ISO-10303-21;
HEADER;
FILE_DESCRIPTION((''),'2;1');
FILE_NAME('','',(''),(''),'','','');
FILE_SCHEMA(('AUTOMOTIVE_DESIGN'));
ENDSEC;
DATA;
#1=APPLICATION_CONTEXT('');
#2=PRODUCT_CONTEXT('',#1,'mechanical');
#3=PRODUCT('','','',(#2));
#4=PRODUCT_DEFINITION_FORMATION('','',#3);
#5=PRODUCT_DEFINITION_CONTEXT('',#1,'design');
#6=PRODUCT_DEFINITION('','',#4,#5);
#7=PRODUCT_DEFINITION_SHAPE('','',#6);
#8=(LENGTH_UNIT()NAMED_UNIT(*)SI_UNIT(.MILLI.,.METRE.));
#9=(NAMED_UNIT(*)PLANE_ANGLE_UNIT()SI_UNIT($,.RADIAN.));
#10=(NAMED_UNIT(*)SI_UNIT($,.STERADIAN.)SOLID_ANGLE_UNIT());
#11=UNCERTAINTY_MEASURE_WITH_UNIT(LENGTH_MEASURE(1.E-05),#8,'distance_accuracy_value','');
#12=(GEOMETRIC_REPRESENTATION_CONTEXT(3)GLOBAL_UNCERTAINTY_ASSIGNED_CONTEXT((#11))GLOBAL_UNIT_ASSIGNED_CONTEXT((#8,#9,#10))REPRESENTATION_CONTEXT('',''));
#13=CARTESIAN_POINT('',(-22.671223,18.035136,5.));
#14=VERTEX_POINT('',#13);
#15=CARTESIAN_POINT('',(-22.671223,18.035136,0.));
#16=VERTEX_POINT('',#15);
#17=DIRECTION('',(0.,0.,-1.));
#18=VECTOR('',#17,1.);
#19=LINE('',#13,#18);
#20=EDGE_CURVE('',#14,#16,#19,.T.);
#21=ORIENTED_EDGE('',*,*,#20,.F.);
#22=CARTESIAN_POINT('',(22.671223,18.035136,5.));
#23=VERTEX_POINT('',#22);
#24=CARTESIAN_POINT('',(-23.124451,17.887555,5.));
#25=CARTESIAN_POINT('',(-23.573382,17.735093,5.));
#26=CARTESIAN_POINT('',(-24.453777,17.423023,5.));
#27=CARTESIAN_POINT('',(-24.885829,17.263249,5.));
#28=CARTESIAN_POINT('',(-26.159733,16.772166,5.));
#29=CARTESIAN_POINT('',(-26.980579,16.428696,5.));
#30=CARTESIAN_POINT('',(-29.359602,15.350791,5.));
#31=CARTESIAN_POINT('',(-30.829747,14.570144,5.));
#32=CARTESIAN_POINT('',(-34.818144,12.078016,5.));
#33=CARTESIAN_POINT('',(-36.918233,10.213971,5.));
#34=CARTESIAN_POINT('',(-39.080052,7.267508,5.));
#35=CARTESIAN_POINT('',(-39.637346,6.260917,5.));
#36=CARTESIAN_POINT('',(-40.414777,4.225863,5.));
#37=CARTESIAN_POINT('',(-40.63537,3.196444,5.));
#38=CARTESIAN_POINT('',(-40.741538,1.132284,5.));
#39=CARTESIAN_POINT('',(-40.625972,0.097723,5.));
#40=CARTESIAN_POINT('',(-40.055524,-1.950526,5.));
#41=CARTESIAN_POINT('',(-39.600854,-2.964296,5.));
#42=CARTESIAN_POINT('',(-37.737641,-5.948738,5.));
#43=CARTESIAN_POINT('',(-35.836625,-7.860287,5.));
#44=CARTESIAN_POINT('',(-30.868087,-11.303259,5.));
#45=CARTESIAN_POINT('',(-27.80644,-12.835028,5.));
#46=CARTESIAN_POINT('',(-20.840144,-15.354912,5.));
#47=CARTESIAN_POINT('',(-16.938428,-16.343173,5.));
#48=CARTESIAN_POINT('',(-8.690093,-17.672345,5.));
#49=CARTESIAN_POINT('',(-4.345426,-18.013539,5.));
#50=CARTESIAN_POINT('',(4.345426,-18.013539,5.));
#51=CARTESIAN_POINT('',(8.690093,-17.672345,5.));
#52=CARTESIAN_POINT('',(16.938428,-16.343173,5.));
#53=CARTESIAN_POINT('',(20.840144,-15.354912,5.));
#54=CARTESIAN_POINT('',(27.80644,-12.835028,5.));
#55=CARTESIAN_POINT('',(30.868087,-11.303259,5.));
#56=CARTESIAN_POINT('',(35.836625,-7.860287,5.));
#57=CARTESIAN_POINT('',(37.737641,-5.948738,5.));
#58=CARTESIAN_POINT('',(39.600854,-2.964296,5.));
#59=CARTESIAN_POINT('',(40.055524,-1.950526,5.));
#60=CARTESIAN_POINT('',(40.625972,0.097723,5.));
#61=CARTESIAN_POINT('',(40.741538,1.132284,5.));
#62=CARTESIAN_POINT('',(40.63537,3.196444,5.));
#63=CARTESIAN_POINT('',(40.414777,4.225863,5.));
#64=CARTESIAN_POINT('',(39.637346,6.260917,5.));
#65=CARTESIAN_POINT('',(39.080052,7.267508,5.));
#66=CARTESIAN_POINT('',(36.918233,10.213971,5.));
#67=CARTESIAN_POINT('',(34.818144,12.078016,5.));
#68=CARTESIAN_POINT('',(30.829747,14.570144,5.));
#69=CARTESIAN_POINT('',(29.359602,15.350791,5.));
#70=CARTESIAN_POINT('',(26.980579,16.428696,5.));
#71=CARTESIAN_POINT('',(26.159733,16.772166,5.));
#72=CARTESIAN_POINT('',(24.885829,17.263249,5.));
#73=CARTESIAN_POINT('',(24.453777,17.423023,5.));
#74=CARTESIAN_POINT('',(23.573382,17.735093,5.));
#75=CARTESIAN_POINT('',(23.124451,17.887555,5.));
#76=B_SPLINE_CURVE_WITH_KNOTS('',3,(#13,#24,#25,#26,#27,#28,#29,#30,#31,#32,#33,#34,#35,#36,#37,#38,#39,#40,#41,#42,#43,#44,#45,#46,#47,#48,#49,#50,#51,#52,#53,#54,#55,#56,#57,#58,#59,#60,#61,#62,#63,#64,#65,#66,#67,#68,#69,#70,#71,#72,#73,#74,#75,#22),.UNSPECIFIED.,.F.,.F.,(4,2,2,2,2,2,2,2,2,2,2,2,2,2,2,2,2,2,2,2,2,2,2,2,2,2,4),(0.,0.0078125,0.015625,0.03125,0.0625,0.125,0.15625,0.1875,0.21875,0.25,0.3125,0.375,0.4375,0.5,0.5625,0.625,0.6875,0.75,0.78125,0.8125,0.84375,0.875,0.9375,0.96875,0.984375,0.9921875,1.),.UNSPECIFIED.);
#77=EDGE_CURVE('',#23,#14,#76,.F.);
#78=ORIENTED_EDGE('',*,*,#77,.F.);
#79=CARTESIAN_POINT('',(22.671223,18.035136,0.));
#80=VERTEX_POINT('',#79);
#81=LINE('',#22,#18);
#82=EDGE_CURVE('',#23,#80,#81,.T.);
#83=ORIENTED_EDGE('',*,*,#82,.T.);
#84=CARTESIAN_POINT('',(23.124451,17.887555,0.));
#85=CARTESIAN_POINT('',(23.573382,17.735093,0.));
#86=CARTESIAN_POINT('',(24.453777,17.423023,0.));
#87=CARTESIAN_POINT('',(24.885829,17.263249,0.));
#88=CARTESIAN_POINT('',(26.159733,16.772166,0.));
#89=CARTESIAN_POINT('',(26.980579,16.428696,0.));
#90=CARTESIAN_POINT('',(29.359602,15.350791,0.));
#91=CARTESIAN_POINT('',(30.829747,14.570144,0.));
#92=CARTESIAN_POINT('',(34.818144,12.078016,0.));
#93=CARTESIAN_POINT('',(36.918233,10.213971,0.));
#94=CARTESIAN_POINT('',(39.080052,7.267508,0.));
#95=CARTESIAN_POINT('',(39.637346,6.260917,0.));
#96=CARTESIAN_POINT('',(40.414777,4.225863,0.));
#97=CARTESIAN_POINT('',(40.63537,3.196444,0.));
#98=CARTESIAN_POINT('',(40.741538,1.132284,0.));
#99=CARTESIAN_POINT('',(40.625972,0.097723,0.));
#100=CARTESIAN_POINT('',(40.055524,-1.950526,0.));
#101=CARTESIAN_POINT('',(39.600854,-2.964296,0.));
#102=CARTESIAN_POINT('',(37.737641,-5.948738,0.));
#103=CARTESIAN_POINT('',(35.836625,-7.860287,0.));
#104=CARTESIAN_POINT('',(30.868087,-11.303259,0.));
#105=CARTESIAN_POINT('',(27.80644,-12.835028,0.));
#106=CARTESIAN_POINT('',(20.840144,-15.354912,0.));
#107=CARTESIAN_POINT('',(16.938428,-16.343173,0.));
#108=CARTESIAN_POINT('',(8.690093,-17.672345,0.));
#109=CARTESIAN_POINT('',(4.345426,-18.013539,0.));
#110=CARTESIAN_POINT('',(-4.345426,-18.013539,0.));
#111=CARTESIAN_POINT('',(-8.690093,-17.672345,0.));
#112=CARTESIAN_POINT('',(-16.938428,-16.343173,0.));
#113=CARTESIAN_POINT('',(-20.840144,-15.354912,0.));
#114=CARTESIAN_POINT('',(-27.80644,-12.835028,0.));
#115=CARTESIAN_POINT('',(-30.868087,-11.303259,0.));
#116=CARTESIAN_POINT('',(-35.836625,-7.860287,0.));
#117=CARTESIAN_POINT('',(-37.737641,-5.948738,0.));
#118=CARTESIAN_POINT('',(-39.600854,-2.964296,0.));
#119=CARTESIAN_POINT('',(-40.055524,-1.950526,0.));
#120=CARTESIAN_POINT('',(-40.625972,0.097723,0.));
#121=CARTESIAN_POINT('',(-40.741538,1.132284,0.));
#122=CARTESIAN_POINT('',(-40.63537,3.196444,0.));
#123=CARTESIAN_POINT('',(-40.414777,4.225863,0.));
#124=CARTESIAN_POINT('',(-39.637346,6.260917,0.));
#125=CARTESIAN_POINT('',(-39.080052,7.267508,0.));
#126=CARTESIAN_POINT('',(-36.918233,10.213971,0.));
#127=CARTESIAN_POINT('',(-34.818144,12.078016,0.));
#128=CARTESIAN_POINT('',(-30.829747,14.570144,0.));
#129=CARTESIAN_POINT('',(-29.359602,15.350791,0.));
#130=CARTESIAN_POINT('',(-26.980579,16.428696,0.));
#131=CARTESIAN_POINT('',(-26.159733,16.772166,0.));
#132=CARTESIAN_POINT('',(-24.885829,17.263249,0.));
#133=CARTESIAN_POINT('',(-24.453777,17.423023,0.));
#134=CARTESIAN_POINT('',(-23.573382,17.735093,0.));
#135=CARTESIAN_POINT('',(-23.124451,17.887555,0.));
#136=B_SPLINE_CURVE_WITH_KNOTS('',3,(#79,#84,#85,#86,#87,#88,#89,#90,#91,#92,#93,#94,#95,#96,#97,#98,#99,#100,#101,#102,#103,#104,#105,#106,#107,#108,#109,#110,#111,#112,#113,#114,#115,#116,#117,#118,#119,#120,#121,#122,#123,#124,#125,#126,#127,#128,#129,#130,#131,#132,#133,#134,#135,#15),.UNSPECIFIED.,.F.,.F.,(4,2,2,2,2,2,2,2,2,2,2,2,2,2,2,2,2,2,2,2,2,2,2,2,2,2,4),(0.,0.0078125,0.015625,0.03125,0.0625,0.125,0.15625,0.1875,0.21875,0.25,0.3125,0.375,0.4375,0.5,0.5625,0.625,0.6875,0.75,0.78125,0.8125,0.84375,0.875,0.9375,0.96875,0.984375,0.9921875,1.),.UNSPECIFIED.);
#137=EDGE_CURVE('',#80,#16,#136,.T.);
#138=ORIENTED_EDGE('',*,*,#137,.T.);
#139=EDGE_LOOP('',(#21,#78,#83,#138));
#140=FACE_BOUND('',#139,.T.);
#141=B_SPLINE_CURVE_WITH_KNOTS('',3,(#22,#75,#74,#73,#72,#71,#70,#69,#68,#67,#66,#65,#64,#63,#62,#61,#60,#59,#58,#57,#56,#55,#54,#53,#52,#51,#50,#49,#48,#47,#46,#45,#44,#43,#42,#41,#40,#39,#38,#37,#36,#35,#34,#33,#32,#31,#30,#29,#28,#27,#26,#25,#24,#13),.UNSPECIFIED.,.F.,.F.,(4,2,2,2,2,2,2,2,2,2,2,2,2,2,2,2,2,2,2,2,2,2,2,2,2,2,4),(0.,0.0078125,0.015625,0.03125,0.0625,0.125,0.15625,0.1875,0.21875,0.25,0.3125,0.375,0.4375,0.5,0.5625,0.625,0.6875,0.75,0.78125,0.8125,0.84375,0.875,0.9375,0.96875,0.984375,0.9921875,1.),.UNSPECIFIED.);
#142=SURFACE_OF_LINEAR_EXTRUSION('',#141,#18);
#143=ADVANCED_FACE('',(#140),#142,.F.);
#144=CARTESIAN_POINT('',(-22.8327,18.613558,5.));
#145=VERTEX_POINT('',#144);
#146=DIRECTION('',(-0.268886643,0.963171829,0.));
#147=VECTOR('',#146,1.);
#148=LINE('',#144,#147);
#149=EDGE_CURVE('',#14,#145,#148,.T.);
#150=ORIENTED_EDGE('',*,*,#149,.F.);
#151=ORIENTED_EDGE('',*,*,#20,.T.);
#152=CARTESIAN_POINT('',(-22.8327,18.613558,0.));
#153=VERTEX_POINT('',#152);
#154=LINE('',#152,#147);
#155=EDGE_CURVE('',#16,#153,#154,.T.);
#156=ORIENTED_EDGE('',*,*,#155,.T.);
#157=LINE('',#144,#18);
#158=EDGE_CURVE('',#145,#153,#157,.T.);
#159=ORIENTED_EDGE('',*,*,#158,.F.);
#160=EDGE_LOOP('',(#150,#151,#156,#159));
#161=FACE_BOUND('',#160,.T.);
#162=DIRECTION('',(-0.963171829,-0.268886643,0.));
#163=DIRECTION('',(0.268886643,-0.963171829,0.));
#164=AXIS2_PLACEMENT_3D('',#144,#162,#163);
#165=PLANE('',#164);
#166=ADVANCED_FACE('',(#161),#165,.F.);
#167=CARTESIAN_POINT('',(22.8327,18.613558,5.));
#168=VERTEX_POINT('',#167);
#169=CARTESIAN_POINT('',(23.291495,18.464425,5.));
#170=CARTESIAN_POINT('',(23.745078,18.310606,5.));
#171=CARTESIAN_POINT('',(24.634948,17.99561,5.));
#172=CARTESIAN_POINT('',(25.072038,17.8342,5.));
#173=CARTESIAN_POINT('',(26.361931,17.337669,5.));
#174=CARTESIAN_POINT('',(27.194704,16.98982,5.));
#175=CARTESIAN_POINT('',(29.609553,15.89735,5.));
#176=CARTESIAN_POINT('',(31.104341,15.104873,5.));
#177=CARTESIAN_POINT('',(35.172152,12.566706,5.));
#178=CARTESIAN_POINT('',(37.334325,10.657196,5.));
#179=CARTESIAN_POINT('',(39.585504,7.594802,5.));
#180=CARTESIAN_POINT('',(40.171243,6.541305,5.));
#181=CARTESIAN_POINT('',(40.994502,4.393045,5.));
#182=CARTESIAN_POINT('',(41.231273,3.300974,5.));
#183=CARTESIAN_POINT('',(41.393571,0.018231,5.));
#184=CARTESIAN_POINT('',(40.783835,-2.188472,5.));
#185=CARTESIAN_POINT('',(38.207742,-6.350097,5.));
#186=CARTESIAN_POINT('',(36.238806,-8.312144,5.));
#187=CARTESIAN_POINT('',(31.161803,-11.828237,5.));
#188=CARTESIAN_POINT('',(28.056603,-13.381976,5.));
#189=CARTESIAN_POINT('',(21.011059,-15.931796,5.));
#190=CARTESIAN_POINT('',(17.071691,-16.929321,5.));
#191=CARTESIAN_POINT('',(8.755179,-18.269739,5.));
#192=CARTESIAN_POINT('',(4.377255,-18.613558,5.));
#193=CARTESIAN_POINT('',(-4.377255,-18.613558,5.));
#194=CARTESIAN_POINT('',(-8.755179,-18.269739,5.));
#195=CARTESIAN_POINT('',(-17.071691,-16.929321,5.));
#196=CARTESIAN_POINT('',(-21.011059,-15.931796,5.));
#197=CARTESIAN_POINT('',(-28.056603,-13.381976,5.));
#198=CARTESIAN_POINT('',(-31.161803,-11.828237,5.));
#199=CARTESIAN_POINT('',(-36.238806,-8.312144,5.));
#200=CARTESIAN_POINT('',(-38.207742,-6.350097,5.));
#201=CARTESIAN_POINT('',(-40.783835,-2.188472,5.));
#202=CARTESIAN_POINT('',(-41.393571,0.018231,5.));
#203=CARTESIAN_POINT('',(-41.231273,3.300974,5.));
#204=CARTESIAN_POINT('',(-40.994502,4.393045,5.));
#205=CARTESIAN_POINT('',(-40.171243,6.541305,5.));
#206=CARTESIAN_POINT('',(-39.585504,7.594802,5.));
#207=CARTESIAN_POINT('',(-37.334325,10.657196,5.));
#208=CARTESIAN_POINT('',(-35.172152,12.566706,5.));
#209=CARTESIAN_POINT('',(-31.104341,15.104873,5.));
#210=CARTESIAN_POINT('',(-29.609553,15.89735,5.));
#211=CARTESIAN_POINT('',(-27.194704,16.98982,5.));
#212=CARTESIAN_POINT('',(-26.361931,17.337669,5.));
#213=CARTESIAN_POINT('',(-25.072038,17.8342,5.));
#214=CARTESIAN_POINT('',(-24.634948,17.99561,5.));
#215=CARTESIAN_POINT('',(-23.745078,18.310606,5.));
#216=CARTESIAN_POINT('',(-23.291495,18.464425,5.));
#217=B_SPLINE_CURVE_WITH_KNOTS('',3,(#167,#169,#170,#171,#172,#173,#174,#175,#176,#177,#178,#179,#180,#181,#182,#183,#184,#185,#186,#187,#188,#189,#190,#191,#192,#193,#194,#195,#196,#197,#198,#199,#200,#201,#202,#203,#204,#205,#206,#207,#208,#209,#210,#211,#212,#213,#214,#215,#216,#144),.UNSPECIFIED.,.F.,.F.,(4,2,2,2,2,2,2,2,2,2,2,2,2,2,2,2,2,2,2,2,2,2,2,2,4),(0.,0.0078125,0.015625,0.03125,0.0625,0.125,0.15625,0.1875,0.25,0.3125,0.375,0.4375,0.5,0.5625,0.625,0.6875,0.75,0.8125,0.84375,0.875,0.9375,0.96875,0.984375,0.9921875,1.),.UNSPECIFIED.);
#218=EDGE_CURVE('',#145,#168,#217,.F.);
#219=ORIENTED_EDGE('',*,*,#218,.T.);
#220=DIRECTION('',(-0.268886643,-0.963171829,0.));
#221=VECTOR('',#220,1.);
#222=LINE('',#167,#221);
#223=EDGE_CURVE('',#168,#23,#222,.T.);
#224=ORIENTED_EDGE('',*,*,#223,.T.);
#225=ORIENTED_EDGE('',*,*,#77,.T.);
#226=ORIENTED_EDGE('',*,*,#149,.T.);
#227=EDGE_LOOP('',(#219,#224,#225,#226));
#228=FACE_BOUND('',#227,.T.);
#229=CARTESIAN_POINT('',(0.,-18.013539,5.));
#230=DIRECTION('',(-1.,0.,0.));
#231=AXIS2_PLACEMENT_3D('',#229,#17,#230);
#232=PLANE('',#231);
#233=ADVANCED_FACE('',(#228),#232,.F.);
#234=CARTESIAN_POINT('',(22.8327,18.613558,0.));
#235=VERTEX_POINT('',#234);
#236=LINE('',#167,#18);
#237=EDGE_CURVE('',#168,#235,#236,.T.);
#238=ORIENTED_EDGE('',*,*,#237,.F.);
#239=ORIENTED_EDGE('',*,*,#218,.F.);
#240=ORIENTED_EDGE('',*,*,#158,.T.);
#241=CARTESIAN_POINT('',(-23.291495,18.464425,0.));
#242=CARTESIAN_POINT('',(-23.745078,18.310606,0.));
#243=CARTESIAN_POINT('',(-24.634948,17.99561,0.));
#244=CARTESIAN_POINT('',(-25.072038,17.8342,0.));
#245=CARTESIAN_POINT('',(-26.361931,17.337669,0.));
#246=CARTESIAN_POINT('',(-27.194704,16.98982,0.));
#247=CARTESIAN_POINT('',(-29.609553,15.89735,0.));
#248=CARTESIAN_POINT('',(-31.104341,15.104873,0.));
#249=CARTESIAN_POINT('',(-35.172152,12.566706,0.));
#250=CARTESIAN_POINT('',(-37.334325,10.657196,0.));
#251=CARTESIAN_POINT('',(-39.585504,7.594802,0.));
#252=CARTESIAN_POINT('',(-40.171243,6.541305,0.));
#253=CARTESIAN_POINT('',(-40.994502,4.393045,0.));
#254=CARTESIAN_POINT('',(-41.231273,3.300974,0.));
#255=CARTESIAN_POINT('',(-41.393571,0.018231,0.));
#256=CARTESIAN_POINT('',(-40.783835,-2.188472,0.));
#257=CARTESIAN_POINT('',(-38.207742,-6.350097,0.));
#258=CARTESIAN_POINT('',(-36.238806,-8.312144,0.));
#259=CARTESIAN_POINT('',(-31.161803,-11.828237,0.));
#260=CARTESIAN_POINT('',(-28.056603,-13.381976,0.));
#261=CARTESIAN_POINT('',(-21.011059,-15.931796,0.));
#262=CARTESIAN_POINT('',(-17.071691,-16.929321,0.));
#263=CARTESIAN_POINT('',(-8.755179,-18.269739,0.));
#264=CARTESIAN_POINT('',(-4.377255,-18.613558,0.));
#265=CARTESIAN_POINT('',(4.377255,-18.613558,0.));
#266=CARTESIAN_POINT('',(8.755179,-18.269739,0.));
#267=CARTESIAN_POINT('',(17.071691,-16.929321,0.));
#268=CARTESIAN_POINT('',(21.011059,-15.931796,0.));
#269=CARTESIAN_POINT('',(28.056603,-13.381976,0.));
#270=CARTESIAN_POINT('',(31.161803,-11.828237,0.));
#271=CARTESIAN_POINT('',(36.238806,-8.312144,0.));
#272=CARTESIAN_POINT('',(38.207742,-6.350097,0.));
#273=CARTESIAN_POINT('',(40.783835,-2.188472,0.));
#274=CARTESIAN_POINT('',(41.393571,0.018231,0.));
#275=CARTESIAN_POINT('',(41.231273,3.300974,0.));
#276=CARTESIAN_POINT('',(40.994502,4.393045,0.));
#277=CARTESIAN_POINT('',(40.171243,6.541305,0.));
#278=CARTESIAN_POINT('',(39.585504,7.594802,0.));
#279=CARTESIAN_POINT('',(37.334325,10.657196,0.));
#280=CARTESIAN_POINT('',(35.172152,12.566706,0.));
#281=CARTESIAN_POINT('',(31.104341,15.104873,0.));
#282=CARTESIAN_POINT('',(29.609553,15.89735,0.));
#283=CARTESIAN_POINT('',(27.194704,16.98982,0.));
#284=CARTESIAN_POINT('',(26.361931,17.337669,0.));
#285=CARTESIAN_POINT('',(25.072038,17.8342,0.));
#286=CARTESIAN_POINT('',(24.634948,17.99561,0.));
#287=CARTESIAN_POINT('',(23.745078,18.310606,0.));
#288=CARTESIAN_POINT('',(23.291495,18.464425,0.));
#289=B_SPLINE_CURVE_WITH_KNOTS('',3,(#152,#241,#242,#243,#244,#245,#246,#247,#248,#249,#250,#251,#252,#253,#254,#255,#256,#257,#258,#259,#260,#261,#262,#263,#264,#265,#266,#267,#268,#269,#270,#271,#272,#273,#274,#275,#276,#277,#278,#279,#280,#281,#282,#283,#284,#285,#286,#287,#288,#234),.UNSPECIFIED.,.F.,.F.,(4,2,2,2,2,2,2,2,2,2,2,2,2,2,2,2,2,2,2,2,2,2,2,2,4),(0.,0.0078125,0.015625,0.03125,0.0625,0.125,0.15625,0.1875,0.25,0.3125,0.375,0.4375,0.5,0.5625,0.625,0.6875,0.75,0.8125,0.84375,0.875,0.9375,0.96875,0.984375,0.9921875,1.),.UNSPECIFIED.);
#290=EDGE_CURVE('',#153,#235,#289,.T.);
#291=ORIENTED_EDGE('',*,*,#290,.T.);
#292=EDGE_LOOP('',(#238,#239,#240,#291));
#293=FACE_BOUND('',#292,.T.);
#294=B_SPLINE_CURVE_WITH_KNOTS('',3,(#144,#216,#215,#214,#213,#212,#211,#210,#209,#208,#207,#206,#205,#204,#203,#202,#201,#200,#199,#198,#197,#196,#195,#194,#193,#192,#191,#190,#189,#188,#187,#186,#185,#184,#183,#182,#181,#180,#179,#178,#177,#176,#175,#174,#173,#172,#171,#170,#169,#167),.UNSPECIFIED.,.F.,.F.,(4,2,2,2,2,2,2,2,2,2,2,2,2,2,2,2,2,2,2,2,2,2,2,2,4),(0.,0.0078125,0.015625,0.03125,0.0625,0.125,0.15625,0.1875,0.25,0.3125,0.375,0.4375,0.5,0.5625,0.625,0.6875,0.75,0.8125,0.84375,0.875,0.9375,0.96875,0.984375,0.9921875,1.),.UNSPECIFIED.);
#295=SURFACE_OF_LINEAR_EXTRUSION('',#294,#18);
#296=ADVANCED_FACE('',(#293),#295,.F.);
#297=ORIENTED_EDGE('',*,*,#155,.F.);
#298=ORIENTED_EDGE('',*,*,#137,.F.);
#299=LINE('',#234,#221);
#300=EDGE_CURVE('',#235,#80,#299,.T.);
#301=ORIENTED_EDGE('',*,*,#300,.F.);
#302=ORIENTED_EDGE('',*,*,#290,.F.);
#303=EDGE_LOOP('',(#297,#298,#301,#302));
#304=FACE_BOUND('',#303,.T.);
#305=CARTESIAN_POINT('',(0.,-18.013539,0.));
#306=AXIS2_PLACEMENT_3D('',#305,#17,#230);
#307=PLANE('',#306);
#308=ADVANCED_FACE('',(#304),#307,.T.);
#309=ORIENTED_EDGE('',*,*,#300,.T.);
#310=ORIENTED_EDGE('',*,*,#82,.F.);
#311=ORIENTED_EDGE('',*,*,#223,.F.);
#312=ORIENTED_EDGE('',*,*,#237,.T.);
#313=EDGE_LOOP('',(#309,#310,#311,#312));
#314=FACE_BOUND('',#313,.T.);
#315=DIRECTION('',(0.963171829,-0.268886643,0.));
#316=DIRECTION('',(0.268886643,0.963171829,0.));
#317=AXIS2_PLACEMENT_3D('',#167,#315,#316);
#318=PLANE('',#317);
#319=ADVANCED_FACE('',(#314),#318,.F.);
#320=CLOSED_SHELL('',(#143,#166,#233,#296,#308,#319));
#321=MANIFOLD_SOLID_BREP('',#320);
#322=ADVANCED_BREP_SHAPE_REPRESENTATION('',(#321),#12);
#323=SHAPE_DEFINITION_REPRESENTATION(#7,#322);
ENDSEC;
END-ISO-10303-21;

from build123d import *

# Parameters (mm, degrees)
BOSS_EXTRUDE1_DEPTH = 5


with BuildPart() as part:
    # Sketch1 → Boss-Extrude1 (new body)
    with BuildSketch(Plane.XY):
        with BuildLine():
            Line((-22.832699807, 18.61355758), (-22.67122302, 18.035135795))
            add(Edge.make_bspline(
                [(-22.67122302, 18.035135795), (-23.124450869, 17.887555236), (-23.573381515, 17.735092918), (-24.45377741, 17.42302329), (-24.885828544, 17.263249427), (-26.159733229, 16.77216597), (-26.980578501, 16.428695542), (-29.359601762, 15.350791251), (-30.829747182, 14.570143824), (-34.818143881, 12.078016232), (-36.918233445, 10.213971439), (-39.080051866, 7.267508311), (-39.637346015, 6.260917341), (-40.414776525, 4.22586311), (-40.635369943, 3.196443949), (-40.741538429, 1.132283549), (-40.625971858, 0.097722887), (-40.055523644, -1.950526079), (-39.600854478, -2.964296418), (-37.737640799, -5.948738354), (-35.836625243, -7.860287289), (-30.868087159, -11.303259049), (-27.806439664, -12.835028115), (-20.840144455, -15.354911831), (-16.93842757, -16.343173468), (-8.690092819, -17.672345004), (-4.345426267, -18.01353933), (4.345426266, -18.01353933), (8.690092818, -17.672345004), (16.938427569, -16.343173468), (20.840144454, -15.354911831), (27.806439663, -12.835028115), (30.868087158, -11.303259049), (35.836625242, -7.860287289), (37.737640798, -5.948738354), (39.600854478, -2.964296418), (40.055523644, -1.950526079), (40.625971857, 0.097722887), (40.741538428, 1.132283549), (40.635369943, 3.196443949), (40.414776524, 4.22586311), (39.637346015, 6.260917341), (39.080051866, 7.267508311), (36.918233444, 10.213971439), (34.81814388, 12.078016232), (30.829747182, 14.570143824), (29.359601761, 15.350791251), (26.980578501, 16.428695542), (26.159733228, 16.77216597), (24.885828544, 17.263249427), (24.453777409, 17.42302329), (23.573381515, 17.735092918), (23.124450869, 17.887555236), (22.671223019, 18.035135795)],
                knots=[0, 0, 0, 0, 0.0078125, 0.0078125, 0.015625, 0.015625, 0.03125, 0.03125, 0.0625, 0.0625, 0.125, 0.125, 0.15625, 0.15625, 0.1875, 0.1875, 0.21875, 0.21875, 0.25, 0.25, 0.3125, 0.3125, 0.375, 0.375, 0.4375, 0.4375, 0.5, 0.5, 0.5625, 0.5625, 0.625, 0.625, 0.6875, 0.6875, 0.75, 0.75, 0.78125, 0.78125, 0.8125, 0.8125, 0.84375, 0.84375, 0.875, 0.875, 0.9375, 0.9375, 0.96875, 0.96875, 0.984375, 0.984375, 0.9921875, 0.9921875, 1, 1, 1, 1], degree=3))
            Line((22.671223019, 18.035135795), (22.832699806, 18.61355758))
            add(Edge.make_bspline(
                [(-22.832699807, 18.61355758), (-23.291494961, 18.464424682), (-23.745078292, 18.310605996), (-24.63494783, 17.995609695), (-25.072037581, 17.834199925), (-26.36193091, 17.33766918), (-27.194704147, 16.989819959), (-29.609552705, 15.897349551), (-31.104341394, 15.104873234), (-35.172152256, 12.566706465), (-37.334324708, 10.657195977), (-39.585504015, 7.594801894), (-40.171243399, 6.541304575), (-40.994502266, 4.39304497), (-41.23127264, 3.300973606), (-41.393570656, 0.018231293), (-40.783834645, -2.188471716), (-38.207742442, -6.350097225), (-36.23880551, -8.312144299), (-31.161803498, -11.828236656), (-28.056602717, -13.381976452), (-21.011058587, -15.931795624), (-17.071691428, -16.929320901), (-8.755178766, -18.269739288), (-4.377254853, -18.61355758), (4.377254854, -18.61355758), (8.755178766, -18.269739288), (17.071691429, -16.929320901), (21.011058587, -15.931795624), (28.056602717, -13.381976452), (31.161803498, -11.828236656), (36.23880551, -8.312144299), (38.207742442, -6.350097225), (40.783834645, -2.188471716), (41.393570656, 0.018231293), (41.23127264, 3.300973606), (40.994502265, 4.39304497), (40.171243399, 6.541304575), (39.585504015, 7.594801894), (37.334324708, 10.657195977), (35.172152256, 12.566706464), (31.104341394, 15.104873234), (29.609552704, 15.897349551), (27.194704147, 16.989819959), (26.36193091, 17.33766918), (25.072037581, 17.834199925), (24.63494783, 17.995609695), (23.745078291, 18.310605996), (23.291494961, 18.464424682), (22.832699806, 18.61355758)],
                knots=[0, 0, 0, 0, 0.0078125, 0.0078125, 0.015625, 0.015625, 0.03125, 0.03125, 0.0625, 0.0625, 0.125, 0.125, 0.15625, 0.15625, 0.1875, 0.1875, 0.25, 0.25, 0.3125, 0.3125, 0.375, 0.375, 0.4375, 0.4375, 0.5, 0.5, 0.5625, 0.5625, 0.625, 0.625, 0.6875, 0.6875, 0.75, 0.75, 0.8125, 0.8125, 0.84375, 0.84375, 0.875, 0.875, 0.9375, 0.9375, 0.96875, 0.96875, 0.984375, 0.984375, 0.9921875, 0.9921875, 1, 1, 1, 1], degree=3))
        make_face()
    extrude(amount=BOSS_EXTRUDE1_DEPTH)


solid = part.part
